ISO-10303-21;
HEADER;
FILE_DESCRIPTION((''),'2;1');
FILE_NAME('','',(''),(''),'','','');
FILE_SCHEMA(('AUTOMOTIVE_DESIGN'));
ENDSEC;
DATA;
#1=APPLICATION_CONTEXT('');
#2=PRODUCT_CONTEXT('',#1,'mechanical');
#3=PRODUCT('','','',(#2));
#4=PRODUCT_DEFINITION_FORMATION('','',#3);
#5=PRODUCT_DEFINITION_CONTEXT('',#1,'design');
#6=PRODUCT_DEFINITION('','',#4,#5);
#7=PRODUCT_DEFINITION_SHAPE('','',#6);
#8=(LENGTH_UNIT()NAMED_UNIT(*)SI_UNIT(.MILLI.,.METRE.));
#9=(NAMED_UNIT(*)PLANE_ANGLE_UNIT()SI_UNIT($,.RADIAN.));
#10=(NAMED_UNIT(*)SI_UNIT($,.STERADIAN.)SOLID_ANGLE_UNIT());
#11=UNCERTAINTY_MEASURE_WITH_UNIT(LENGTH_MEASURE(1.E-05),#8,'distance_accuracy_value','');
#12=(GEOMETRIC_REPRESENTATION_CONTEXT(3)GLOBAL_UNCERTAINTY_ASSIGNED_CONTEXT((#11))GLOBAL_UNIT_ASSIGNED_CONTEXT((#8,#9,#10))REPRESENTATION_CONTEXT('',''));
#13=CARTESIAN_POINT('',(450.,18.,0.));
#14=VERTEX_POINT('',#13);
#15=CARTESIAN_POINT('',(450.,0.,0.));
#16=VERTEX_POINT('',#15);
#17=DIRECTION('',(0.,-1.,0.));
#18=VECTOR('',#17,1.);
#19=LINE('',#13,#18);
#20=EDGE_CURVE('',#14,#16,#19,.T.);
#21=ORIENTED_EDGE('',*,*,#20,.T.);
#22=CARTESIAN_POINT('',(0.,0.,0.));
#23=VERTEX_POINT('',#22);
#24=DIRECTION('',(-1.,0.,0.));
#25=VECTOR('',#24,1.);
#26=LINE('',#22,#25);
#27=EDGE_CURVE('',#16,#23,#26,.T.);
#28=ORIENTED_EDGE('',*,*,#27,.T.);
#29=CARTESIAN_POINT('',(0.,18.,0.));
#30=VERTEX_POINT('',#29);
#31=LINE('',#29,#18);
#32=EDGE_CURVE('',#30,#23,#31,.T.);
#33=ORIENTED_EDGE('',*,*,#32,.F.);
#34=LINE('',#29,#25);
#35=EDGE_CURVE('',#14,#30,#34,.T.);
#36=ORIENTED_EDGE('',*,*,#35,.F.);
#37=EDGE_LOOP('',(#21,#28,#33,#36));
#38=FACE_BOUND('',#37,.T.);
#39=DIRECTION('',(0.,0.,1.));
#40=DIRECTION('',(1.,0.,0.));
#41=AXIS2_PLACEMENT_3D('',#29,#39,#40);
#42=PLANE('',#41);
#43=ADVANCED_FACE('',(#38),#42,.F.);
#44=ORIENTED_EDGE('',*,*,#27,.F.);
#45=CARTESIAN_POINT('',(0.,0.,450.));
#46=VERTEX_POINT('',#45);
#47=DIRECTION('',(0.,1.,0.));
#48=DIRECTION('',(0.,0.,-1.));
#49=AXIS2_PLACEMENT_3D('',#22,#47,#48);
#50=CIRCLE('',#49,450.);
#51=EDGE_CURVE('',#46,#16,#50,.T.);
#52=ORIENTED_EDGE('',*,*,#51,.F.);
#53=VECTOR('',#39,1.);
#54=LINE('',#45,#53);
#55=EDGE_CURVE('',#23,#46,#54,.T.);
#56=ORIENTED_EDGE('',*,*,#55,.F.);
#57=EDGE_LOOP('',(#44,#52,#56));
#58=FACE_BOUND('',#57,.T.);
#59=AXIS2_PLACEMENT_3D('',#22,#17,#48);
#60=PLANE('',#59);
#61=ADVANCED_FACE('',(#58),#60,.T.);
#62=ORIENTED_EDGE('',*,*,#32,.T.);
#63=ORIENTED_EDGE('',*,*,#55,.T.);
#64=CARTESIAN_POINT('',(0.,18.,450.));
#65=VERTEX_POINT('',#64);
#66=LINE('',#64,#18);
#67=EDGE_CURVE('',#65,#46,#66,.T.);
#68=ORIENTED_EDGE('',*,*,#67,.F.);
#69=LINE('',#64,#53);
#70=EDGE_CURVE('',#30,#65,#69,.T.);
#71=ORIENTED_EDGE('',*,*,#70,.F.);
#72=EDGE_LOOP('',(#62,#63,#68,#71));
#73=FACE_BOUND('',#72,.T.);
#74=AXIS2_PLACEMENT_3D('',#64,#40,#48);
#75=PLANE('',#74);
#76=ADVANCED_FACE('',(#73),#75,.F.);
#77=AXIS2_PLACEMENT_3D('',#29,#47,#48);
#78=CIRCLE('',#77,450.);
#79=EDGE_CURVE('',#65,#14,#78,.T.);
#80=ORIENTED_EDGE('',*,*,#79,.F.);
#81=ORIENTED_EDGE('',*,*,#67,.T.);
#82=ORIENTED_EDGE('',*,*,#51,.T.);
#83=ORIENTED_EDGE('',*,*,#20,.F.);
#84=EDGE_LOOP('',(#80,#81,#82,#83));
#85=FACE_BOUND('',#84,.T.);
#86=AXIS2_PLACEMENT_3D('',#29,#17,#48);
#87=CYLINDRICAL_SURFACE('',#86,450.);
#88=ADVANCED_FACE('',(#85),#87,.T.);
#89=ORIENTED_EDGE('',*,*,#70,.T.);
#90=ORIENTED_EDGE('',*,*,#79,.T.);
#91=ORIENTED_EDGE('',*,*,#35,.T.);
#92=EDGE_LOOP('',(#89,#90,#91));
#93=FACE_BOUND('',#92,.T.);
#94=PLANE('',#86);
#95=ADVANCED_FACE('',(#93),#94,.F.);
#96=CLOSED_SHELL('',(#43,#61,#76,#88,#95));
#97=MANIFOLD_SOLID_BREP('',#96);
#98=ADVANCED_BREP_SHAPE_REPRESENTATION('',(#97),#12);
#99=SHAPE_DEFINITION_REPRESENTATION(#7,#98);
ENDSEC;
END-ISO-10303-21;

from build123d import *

# Parameters (mm, degrees)
BOSS_EXTRUDE1_DEPTH = 18


with BuildPart() as part:
    # Sketch1 → Boss-Extrude1 (new body)
    with BuildSketch(Plane(origin=(0, 0, 0), x_dir=(1, 0, 0), z_dir=(0, 1, 0))):
        with BuildLine():
            Line((0, 0), (450, 0))
            ThreePointArc((450, 0), (318.198051534, -318.198051534), (0, -450))
            Line((0, -450), (0, 0))
        make_face()
    extrude(amount=BOSS_EXTRUDE1_DEPTH)


solid = part.part
